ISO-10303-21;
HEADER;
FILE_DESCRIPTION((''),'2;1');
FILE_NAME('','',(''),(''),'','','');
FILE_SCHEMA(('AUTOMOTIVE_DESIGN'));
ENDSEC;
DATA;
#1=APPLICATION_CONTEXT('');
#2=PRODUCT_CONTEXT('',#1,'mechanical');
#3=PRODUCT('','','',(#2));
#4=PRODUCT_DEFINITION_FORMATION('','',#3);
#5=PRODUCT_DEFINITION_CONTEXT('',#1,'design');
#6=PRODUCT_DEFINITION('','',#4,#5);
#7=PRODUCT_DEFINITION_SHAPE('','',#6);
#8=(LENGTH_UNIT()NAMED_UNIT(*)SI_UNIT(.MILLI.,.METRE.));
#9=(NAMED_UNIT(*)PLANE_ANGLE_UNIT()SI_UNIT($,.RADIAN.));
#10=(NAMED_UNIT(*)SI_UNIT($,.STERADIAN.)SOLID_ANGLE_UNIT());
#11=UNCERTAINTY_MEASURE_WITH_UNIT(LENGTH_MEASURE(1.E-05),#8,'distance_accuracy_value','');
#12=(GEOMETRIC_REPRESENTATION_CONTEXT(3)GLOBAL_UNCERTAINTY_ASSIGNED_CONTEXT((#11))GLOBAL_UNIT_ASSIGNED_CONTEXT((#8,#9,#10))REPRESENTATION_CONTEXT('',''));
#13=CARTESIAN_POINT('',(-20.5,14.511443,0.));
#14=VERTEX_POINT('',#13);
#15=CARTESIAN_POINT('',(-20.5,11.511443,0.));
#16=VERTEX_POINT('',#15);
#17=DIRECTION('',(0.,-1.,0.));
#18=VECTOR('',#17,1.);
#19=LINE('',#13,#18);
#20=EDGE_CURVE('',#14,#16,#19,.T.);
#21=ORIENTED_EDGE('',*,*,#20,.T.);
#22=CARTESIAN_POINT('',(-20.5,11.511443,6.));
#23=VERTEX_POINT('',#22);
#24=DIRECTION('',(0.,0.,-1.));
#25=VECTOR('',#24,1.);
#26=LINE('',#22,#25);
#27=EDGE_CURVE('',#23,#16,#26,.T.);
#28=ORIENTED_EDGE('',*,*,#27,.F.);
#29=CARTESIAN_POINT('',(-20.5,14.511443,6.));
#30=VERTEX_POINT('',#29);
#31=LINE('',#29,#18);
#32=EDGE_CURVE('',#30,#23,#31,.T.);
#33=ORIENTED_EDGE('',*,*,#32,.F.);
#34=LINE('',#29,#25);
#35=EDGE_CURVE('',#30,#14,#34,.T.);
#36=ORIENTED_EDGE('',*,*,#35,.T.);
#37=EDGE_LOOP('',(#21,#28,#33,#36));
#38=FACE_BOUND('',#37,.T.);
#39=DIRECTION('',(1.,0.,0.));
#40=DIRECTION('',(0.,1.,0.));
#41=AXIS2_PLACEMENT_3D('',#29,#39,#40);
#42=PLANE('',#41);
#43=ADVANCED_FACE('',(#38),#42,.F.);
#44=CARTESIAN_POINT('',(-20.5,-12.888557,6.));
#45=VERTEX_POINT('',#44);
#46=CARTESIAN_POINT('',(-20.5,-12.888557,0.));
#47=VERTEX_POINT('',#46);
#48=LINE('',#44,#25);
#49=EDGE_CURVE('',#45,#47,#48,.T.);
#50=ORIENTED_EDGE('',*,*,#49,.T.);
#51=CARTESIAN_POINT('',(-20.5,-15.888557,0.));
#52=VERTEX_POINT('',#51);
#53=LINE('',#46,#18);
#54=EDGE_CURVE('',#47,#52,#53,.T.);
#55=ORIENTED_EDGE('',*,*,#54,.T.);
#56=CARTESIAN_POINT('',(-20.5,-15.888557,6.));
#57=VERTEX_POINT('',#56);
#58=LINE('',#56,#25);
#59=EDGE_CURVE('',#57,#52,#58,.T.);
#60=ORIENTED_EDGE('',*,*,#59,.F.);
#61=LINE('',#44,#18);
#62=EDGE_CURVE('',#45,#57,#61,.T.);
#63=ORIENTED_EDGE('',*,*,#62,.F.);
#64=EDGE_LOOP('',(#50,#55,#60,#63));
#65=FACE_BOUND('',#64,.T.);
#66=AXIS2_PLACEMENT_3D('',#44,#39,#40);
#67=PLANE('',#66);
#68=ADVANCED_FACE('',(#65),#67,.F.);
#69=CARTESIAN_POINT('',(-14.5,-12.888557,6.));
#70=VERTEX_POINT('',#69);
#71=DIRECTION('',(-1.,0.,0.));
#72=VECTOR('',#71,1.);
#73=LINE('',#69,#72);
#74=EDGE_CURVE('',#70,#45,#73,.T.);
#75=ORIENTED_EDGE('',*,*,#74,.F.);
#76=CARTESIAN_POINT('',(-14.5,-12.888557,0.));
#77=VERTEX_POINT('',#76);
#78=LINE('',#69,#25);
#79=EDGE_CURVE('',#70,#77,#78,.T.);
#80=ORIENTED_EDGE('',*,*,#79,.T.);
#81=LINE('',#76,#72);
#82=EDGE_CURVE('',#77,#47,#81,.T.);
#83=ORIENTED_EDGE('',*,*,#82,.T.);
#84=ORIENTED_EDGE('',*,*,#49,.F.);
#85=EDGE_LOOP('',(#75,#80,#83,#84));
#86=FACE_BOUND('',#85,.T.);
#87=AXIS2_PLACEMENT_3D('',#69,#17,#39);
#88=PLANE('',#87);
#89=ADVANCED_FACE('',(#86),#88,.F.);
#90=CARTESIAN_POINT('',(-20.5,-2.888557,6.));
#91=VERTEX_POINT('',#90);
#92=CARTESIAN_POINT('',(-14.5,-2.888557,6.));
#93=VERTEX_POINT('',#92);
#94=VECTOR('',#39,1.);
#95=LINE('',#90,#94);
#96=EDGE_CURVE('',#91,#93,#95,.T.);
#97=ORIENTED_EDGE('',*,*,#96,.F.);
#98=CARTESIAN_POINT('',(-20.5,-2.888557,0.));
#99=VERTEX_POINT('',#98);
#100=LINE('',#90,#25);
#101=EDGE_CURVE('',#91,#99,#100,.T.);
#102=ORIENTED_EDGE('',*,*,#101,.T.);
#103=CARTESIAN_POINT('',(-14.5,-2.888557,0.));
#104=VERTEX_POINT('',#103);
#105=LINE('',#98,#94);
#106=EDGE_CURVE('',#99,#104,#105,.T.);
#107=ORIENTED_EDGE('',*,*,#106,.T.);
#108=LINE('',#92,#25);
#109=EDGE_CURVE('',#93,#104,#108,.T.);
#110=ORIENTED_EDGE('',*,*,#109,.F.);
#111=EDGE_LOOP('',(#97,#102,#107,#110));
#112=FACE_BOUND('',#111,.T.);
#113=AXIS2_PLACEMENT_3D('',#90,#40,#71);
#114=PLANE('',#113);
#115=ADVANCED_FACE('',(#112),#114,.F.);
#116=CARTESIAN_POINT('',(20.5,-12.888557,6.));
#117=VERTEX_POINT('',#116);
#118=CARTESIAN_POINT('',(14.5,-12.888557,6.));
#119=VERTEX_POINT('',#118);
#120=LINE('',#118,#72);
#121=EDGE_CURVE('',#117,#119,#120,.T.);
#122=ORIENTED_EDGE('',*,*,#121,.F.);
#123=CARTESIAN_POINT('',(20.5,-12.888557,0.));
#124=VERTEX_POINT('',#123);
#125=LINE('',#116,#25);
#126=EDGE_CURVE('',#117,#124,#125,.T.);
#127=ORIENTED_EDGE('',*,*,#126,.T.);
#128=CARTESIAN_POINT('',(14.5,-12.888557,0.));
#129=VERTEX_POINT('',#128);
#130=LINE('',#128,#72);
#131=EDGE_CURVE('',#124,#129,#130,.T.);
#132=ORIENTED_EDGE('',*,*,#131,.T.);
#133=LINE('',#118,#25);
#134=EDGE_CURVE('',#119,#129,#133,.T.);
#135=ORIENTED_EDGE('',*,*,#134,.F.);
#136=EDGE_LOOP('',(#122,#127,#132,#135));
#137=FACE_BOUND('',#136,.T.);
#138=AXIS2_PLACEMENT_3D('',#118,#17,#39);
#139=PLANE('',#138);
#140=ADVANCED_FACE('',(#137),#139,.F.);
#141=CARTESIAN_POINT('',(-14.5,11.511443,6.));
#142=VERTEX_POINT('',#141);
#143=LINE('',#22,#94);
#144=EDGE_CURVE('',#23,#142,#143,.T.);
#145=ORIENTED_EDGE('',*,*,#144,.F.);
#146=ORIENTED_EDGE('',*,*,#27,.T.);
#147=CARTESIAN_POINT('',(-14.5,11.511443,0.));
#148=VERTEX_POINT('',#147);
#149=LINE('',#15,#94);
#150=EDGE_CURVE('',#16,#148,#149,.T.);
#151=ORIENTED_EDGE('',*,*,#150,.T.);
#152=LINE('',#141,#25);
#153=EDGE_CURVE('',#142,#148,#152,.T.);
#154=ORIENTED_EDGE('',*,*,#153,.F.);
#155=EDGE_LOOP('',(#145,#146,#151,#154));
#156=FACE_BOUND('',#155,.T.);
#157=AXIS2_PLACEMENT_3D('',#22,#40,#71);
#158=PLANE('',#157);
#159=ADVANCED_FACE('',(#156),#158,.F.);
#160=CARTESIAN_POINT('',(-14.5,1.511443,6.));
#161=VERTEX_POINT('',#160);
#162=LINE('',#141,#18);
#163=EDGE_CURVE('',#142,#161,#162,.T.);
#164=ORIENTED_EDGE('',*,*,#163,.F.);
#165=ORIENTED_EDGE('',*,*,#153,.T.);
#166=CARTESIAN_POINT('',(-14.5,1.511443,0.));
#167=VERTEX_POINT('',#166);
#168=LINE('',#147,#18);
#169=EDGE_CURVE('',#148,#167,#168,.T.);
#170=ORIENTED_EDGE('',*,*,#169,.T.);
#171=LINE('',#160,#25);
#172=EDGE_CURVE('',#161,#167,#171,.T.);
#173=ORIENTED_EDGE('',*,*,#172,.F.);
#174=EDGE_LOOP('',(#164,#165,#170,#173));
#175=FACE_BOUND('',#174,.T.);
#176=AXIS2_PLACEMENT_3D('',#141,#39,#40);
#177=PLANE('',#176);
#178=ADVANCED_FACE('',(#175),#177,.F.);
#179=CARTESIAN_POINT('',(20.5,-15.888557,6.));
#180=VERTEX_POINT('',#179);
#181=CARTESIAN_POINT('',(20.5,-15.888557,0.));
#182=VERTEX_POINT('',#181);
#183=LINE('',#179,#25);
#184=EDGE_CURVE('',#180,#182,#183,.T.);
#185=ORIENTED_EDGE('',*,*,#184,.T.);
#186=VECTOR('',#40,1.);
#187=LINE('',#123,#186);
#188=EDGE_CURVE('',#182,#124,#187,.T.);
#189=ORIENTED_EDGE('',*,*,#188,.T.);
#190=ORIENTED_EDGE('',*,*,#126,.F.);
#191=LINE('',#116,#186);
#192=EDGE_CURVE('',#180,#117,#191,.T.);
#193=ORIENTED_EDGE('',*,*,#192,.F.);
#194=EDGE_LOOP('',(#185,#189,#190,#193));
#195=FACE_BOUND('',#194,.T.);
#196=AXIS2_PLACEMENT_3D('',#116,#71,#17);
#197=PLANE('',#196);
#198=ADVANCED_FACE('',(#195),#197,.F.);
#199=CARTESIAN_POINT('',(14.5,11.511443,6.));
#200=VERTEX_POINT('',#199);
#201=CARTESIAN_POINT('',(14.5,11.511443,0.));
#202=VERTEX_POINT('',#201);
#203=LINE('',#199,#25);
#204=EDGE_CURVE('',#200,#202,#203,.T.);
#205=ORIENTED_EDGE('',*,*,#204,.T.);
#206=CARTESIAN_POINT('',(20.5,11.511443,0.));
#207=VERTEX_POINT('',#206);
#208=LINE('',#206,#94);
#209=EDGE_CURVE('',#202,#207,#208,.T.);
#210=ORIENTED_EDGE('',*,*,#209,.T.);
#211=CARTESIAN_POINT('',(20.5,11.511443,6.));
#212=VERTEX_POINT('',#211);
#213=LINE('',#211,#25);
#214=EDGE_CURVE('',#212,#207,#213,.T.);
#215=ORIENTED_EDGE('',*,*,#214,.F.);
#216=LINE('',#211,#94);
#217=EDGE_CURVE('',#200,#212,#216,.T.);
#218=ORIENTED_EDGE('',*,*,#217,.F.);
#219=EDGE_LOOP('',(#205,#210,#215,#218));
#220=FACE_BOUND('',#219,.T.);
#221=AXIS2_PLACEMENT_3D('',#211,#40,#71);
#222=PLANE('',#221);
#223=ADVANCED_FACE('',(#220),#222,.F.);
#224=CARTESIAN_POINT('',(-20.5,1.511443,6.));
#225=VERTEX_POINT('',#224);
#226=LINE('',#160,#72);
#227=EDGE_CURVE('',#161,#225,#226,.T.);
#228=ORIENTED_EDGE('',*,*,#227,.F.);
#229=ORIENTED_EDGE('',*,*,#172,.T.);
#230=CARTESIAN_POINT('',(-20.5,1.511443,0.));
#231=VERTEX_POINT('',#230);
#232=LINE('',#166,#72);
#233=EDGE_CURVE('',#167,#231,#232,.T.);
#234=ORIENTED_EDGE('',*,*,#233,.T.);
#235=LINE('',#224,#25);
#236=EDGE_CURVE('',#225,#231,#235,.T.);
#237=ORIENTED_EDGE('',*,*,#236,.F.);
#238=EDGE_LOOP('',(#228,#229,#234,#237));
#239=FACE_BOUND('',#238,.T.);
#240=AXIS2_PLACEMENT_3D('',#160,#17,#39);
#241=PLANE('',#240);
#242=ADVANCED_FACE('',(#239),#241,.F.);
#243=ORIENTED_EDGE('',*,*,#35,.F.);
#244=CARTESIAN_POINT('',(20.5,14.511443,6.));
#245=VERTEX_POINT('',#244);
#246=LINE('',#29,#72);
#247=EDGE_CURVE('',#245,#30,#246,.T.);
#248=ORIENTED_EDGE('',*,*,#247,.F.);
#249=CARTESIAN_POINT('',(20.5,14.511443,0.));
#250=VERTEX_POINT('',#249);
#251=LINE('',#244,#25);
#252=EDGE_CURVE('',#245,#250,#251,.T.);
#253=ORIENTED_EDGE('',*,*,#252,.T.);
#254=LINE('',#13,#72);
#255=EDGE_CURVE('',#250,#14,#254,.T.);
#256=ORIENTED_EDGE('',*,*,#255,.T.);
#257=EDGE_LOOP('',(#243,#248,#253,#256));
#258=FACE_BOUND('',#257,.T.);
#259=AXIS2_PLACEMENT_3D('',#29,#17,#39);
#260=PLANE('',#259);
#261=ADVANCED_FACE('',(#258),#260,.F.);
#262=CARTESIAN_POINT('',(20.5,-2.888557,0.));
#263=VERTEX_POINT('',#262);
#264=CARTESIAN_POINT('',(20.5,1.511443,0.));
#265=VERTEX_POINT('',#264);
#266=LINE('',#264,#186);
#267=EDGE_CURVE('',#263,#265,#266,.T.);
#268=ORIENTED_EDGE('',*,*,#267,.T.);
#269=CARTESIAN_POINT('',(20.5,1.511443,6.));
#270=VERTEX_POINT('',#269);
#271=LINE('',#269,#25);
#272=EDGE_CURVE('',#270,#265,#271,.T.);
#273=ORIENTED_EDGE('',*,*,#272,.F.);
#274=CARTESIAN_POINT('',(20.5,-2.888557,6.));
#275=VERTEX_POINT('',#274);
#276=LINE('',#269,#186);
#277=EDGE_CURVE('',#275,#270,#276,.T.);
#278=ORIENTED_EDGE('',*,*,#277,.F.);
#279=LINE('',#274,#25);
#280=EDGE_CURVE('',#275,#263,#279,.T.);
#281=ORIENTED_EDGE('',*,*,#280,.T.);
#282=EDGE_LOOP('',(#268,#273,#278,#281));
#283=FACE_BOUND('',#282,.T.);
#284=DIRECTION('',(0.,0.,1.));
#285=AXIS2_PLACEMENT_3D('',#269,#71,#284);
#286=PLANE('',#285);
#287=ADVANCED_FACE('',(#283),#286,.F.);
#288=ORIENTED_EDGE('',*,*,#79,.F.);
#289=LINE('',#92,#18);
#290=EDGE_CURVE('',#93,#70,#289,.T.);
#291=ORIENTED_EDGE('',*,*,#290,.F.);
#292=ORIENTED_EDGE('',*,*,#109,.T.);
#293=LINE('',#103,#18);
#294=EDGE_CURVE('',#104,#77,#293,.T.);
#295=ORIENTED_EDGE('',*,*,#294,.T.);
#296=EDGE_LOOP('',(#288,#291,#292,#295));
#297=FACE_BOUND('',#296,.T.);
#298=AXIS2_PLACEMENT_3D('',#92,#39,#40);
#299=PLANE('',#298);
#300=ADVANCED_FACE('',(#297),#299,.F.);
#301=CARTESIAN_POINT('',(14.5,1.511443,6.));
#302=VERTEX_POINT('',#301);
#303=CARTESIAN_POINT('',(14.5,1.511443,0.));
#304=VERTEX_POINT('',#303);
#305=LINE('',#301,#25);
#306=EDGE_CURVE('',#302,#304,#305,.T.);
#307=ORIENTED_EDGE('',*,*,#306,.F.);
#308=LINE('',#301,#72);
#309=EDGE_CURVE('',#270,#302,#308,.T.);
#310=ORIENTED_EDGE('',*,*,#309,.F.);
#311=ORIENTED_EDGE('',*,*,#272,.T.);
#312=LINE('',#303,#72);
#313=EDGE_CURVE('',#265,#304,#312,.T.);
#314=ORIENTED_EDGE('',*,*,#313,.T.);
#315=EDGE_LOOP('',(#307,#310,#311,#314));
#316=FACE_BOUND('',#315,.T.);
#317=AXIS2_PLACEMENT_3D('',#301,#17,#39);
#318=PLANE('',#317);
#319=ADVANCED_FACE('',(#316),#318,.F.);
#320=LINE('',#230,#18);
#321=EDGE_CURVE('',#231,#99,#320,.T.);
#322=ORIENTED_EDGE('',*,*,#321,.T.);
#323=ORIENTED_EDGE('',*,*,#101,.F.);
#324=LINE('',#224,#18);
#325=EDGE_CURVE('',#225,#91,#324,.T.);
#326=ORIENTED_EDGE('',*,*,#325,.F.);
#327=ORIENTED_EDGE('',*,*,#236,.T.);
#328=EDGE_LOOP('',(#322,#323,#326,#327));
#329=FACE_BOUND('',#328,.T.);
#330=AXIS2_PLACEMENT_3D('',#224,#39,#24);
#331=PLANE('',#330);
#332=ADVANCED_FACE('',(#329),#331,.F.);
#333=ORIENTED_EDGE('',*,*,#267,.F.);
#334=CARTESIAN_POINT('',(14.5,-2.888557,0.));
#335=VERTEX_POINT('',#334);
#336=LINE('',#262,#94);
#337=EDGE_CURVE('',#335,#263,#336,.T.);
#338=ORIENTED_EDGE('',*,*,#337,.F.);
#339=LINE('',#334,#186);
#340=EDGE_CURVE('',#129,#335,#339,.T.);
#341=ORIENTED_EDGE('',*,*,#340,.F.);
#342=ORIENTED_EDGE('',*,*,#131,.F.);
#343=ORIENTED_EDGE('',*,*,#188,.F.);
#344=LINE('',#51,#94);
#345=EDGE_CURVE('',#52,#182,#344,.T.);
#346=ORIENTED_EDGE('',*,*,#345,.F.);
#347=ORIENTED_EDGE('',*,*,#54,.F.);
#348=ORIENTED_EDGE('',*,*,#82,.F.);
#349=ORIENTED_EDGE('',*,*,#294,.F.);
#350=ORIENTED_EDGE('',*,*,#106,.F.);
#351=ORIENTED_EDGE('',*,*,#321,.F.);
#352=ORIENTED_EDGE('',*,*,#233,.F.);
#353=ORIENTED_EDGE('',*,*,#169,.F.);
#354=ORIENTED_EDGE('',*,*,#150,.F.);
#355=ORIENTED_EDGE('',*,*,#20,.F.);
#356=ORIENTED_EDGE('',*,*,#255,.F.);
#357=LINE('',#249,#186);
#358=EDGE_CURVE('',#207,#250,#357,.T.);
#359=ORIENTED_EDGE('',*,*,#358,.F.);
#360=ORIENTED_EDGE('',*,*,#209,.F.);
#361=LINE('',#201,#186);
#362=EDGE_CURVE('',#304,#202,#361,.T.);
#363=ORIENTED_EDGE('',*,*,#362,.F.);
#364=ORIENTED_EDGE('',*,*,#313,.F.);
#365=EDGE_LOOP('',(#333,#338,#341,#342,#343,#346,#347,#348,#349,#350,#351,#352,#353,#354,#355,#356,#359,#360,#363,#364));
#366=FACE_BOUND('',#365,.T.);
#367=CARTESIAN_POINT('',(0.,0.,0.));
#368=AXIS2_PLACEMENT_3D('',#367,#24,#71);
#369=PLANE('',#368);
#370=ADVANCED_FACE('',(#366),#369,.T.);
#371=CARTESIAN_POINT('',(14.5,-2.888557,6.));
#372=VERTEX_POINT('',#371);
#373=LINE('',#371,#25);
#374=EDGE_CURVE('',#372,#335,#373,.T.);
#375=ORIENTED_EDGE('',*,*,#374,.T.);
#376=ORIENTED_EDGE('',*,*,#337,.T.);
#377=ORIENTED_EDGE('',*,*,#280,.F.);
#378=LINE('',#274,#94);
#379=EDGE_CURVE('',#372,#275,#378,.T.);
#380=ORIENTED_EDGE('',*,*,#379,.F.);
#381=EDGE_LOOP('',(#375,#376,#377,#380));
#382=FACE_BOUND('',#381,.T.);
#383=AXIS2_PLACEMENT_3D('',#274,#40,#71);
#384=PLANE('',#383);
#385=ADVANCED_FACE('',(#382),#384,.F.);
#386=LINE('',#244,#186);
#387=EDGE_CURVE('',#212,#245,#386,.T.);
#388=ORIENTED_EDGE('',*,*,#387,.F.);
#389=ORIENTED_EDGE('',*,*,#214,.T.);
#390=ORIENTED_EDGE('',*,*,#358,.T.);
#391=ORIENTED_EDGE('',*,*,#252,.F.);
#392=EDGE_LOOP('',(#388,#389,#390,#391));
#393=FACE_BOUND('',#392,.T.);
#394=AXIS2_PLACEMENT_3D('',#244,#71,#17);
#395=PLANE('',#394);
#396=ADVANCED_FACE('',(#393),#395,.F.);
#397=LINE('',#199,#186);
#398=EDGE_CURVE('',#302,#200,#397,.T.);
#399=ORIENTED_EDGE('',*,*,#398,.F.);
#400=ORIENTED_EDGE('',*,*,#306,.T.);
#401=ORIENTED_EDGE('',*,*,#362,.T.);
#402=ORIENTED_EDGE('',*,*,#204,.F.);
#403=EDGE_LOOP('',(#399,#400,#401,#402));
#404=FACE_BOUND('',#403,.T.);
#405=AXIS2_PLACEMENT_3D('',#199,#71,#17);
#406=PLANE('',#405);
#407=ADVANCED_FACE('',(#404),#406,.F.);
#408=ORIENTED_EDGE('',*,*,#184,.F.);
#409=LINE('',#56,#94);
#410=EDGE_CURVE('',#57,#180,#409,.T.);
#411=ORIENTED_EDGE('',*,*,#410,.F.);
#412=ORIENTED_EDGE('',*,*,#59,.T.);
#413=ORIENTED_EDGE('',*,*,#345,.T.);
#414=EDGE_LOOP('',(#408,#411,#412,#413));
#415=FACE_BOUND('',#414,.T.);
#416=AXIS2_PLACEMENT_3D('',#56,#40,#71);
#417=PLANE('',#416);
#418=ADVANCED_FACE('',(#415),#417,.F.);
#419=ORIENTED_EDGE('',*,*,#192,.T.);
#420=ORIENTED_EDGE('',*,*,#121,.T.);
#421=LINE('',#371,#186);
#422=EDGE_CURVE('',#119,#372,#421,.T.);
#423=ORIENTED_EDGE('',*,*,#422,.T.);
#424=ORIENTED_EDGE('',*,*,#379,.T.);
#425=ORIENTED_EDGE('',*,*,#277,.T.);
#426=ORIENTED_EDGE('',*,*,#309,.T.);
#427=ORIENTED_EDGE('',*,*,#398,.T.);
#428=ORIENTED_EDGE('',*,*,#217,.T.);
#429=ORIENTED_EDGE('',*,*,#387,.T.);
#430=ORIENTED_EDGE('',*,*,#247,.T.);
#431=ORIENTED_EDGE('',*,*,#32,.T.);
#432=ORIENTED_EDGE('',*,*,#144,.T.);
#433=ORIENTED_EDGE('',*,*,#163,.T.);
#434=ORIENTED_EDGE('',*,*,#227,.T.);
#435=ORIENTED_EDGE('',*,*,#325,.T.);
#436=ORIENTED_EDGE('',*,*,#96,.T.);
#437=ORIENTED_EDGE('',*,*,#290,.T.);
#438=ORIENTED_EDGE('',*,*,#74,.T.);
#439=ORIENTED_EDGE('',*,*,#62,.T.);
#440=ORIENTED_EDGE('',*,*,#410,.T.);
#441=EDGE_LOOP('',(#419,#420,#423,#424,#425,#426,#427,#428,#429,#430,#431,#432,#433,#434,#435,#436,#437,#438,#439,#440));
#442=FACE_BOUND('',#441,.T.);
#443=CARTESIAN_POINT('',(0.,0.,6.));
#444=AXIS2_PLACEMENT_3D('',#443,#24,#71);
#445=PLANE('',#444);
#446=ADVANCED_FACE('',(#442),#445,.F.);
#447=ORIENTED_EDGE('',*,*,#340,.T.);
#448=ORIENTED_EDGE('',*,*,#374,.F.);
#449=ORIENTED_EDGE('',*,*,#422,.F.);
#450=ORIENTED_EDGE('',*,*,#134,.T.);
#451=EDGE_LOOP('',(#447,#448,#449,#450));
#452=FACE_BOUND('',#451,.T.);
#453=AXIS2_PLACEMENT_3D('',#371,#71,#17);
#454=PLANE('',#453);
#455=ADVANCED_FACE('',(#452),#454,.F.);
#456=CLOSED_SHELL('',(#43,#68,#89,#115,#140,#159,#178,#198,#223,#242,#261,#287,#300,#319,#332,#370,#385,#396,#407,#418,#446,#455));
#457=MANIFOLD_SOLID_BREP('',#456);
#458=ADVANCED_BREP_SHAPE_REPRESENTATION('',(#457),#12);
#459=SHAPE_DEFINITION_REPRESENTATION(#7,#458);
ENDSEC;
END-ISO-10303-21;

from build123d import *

# Parameters (mm, degrees)
BOSS_EXTRU_1_DEPTH = 6


with BuildPart() as part:
    # Esquisse1 → Boss.-Extru.1 (new body)
    with BuildSketch(Plane.XY):
        Polygon((-20.5, 14.511442786), (20.5, 14.511442786), (20.5, 11.511442786), (14.5, 11.511442786), (14.5, 1.511442786), (20.5, 1.511442786), (20.5, -2.888557214), (14.5, -2.888557214), (14.5, -12.888557214), (20.5, -12.888557214), (20.5, -15.888557214), (-20.5, -15.888557214), (-20.5, -12.888557214), (-14.5, -12.888557214), (-14.5, -2.888557214), (-20.5, -2.888557214), (-20.5, 1.511442786), (-14.5, 1.511442786), (-14.5, 11.511442786), (-20.5, 11.511442786), align=None)
    extrude(amount=BOSS_EXTRU_1_DEPTH)


solid = part.part
